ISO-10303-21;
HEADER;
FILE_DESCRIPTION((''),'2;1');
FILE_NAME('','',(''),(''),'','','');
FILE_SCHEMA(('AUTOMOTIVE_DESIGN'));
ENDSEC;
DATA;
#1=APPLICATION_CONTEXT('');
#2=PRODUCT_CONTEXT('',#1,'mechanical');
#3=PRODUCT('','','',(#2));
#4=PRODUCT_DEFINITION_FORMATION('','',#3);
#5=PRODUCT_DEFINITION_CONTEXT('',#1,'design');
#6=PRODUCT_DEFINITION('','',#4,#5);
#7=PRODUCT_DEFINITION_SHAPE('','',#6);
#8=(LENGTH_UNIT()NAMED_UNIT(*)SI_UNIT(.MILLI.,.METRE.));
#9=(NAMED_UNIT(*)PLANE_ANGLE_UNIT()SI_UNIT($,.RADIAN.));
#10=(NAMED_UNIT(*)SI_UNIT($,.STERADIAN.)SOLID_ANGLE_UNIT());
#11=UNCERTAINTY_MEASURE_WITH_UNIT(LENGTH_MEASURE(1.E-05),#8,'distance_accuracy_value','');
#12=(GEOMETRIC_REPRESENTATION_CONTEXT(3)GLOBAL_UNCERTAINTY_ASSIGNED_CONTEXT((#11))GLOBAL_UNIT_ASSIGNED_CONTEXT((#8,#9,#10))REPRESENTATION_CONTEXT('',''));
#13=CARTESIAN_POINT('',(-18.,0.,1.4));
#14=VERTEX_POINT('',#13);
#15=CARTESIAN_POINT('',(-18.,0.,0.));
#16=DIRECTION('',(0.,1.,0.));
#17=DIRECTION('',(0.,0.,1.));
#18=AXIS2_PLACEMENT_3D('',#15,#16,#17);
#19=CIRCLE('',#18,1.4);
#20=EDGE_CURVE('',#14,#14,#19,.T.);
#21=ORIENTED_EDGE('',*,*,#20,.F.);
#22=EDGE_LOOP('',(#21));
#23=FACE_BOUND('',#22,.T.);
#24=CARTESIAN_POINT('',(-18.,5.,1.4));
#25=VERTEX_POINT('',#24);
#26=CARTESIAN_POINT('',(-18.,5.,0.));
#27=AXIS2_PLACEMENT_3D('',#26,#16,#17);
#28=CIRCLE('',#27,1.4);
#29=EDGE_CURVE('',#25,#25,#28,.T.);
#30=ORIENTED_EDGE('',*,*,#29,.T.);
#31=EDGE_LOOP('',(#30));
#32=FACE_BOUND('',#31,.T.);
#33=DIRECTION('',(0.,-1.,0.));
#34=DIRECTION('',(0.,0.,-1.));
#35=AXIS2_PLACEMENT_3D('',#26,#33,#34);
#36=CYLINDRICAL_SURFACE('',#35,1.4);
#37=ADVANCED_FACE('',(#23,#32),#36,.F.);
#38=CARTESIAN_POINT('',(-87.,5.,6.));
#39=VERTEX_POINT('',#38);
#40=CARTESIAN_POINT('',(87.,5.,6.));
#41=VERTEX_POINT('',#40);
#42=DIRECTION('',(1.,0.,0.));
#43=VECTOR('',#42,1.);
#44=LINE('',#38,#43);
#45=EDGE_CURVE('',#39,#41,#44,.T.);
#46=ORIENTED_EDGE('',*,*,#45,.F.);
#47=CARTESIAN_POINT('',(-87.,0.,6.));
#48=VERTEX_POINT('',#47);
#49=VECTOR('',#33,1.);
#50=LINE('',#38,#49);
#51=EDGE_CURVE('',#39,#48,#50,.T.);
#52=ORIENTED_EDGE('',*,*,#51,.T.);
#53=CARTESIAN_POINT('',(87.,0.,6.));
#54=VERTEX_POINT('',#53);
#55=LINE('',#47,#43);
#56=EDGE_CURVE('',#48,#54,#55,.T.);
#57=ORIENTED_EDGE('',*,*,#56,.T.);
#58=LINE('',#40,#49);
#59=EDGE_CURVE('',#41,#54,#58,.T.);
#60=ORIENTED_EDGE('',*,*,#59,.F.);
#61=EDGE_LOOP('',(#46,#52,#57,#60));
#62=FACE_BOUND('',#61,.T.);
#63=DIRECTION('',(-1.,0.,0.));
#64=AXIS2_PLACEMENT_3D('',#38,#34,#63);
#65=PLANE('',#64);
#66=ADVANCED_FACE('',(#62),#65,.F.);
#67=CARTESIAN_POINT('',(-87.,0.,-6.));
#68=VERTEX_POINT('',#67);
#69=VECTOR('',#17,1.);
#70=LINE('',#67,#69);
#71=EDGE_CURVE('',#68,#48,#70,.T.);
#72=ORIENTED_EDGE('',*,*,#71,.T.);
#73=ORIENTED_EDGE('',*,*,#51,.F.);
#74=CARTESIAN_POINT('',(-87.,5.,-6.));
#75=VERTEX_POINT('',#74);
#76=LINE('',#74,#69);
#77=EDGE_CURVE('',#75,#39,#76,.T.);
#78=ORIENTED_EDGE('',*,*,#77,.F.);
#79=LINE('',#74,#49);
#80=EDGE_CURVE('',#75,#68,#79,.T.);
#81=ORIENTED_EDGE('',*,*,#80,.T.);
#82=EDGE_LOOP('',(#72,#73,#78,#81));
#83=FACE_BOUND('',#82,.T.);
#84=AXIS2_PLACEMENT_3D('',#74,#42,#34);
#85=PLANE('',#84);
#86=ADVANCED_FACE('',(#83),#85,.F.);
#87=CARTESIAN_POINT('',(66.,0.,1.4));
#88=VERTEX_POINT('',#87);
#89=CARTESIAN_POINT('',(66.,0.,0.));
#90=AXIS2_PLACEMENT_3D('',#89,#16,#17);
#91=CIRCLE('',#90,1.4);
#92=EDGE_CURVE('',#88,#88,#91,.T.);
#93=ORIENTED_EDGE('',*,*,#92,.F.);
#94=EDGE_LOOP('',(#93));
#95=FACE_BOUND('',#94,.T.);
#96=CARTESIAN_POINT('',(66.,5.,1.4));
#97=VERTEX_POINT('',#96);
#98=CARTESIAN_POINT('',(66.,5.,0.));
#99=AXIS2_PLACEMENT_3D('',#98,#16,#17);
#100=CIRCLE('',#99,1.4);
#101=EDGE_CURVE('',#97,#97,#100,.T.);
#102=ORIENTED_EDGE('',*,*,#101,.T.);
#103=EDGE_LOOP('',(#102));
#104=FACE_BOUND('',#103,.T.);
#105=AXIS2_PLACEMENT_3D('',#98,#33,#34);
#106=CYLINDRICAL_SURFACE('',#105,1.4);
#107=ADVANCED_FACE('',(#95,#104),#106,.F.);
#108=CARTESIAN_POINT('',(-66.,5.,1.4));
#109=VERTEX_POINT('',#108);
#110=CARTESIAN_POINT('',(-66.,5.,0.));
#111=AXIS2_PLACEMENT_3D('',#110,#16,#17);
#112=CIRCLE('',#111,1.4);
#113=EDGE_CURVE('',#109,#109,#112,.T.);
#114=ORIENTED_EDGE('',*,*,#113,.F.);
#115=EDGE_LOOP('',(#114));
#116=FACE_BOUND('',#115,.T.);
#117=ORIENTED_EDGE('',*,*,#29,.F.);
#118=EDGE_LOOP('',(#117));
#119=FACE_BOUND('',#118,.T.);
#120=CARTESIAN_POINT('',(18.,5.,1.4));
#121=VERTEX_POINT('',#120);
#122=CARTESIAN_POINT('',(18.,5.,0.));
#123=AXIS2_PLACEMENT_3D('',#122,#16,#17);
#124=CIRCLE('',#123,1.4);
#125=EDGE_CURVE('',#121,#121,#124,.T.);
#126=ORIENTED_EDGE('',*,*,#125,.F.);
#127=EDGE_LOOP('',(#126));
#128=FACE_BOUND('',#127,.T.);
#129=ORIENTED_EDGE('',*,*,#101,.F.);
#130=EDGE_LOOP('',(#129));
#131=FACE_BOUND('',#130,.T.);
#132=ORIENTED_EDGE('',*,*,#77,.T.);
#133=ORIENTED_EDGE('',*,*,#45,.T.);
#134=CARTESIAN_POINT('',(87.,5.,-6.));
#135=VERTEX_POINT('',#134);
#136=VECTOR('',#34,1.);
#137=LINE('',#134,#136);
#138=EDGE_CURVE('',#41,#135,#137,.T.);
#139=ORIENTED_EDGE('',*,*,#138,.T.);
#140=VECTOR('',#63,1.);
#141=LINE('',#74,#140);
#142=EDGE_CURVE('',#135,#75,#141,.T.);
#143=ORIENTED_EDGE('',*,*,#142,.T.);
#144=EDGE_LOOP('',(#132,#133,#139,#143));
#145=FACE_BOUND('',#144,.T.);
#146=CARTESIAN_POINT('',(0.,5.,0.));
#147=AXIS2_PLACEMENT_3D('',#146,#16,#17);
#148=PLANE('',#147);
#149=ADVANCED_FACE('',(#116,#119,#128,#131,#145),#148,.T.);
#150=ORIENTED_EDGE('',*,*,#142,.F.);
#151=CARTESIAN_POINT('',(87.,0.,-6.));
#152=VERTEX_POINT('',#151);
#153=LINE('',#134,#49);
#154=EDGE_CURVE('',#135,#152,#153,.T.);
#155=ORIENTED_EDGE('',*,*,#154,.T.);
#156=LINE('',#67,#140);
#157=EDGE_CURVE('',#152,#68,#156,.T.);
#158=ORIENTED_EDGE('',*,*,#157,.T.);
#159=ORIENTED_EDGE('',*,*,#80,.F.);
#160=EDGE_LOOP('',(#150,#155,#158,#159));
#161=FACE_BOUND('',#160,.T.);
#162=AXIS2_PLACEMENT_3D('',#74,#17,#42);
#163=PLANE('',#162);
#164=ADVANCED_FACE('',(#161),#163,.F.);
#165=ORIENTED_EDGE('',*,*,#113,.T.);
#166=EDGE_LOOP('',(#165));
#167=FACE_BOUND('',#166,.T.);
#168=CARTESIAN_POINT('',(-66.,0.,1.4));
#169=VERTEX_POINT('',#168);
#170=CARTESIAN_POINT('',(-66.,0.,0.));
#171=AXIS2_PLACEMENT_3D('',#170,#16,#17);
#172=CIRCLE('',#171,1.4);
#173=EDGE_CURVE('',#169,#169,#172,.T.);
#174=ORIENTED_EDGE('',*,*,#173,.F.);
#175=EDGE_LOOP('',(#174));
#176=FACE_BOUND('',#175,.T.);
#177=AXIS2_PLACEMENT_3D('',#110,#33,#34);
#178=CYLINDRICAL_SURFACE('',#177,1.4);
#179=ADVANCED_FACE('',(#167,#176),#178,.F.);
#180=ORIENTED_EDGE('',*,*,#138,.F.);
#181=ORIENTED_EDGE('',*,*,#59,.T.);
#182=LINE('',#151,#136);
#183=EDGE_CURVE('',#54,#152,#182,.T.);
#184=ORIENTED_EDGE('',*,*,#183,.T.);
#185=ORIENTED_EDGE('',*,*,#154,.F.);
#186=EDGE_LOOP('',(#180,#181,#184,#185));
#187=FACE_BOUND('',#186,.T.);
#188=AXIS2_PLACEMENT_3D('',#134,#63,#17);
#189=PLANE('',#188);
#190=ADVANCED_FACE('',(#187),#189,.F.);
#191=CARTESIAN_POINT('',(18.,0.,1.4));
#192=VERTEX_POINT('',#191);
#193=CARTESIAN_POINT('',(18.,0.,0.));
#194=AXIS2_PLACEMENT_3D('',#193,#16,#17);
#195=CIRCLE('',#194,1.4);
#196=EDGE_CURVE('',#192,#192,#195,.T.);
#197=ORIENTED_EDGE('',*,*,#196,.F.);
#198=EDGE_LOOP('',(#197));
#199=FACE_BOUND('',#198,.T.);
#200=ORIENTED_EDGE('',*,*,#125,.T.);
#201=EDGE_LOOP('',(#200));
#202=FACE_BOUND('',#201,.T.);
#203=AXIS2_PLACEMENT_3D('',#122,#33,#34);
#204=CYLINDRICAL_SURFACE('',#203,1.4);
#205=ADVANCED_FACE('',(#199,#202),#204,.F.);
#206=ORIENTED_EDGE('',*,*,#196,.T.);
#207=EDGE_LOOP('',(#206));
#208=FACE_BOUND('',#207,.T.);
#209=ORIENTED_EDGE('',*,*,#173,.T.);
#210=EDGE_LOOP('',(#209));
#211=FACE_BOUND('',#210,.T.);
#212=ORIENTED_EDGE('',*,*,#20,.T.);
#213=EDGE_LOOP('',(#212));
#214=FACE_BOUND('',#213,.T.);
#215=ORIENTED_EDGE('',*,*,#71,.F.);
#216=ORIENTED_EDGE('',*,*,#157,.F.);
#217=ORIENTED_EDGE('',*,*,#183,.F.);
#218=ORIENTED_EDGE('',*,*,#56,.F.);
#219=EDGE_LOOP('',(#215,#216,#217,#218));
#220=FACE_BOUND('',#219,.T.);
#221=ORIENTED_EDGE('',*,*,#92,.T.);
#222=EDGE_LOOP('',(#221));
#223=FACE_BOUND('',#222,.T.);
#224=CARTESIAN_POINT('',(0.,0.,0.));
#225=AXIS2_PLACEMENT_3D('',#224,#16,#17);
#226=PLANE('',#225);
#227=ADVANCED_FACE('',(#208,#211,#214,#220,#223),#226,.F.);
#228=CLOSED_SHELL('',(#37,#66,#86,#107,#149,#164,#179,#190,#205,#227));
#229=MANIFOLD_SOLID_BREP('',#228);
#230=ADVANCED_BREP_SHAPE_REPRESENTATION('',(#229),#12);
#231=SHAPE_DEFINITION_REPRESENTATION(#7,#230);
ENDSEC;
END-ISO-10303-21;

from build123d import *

# Parameters (mm, degrees)
SKETCH1_W                    = 174
SKETCH1_H                    = 12
SKETCH1_R                    = 1.4
BOTTOM_SCREWHOLE_BLOCK_DEPTH = 5


with BuildPart() as part:
    # Sketch1 → Bottom screwhole block (new body)
    with BuildSketch(Plane(origin=(0, 0, 0), x_dir=(1, 0, 0), z_dir=(0, 1, 0))):
        Rectangle(SKETCH1_W, SKETCH1_H)
        with Locations(Location((-66, 0, 0), (0, 0, 270))):
            Circle(SKETCH1_R, mode=Mode.SUBTRACT)
        with Locations(Location((-18, 0, 0), (0, 0, 270))):
            Circle(SKETCH1_R, mode=Mode.SUBTRACT)
        with Locations(Location((18, 0, 0), (0, 0, 270))):
            Circle(SKETCH1_R, mode=Mode.SUBTRACT)
        with Locations(Location((66, 0, 0), (0, 0, 270))):
            Circle(SKETCH1_R, mode=Mode.SUBTRACT)
    extrude(amount=BOTTOM_SCREWHOLE_BLOCK_DEPTH)


solid = part.part
